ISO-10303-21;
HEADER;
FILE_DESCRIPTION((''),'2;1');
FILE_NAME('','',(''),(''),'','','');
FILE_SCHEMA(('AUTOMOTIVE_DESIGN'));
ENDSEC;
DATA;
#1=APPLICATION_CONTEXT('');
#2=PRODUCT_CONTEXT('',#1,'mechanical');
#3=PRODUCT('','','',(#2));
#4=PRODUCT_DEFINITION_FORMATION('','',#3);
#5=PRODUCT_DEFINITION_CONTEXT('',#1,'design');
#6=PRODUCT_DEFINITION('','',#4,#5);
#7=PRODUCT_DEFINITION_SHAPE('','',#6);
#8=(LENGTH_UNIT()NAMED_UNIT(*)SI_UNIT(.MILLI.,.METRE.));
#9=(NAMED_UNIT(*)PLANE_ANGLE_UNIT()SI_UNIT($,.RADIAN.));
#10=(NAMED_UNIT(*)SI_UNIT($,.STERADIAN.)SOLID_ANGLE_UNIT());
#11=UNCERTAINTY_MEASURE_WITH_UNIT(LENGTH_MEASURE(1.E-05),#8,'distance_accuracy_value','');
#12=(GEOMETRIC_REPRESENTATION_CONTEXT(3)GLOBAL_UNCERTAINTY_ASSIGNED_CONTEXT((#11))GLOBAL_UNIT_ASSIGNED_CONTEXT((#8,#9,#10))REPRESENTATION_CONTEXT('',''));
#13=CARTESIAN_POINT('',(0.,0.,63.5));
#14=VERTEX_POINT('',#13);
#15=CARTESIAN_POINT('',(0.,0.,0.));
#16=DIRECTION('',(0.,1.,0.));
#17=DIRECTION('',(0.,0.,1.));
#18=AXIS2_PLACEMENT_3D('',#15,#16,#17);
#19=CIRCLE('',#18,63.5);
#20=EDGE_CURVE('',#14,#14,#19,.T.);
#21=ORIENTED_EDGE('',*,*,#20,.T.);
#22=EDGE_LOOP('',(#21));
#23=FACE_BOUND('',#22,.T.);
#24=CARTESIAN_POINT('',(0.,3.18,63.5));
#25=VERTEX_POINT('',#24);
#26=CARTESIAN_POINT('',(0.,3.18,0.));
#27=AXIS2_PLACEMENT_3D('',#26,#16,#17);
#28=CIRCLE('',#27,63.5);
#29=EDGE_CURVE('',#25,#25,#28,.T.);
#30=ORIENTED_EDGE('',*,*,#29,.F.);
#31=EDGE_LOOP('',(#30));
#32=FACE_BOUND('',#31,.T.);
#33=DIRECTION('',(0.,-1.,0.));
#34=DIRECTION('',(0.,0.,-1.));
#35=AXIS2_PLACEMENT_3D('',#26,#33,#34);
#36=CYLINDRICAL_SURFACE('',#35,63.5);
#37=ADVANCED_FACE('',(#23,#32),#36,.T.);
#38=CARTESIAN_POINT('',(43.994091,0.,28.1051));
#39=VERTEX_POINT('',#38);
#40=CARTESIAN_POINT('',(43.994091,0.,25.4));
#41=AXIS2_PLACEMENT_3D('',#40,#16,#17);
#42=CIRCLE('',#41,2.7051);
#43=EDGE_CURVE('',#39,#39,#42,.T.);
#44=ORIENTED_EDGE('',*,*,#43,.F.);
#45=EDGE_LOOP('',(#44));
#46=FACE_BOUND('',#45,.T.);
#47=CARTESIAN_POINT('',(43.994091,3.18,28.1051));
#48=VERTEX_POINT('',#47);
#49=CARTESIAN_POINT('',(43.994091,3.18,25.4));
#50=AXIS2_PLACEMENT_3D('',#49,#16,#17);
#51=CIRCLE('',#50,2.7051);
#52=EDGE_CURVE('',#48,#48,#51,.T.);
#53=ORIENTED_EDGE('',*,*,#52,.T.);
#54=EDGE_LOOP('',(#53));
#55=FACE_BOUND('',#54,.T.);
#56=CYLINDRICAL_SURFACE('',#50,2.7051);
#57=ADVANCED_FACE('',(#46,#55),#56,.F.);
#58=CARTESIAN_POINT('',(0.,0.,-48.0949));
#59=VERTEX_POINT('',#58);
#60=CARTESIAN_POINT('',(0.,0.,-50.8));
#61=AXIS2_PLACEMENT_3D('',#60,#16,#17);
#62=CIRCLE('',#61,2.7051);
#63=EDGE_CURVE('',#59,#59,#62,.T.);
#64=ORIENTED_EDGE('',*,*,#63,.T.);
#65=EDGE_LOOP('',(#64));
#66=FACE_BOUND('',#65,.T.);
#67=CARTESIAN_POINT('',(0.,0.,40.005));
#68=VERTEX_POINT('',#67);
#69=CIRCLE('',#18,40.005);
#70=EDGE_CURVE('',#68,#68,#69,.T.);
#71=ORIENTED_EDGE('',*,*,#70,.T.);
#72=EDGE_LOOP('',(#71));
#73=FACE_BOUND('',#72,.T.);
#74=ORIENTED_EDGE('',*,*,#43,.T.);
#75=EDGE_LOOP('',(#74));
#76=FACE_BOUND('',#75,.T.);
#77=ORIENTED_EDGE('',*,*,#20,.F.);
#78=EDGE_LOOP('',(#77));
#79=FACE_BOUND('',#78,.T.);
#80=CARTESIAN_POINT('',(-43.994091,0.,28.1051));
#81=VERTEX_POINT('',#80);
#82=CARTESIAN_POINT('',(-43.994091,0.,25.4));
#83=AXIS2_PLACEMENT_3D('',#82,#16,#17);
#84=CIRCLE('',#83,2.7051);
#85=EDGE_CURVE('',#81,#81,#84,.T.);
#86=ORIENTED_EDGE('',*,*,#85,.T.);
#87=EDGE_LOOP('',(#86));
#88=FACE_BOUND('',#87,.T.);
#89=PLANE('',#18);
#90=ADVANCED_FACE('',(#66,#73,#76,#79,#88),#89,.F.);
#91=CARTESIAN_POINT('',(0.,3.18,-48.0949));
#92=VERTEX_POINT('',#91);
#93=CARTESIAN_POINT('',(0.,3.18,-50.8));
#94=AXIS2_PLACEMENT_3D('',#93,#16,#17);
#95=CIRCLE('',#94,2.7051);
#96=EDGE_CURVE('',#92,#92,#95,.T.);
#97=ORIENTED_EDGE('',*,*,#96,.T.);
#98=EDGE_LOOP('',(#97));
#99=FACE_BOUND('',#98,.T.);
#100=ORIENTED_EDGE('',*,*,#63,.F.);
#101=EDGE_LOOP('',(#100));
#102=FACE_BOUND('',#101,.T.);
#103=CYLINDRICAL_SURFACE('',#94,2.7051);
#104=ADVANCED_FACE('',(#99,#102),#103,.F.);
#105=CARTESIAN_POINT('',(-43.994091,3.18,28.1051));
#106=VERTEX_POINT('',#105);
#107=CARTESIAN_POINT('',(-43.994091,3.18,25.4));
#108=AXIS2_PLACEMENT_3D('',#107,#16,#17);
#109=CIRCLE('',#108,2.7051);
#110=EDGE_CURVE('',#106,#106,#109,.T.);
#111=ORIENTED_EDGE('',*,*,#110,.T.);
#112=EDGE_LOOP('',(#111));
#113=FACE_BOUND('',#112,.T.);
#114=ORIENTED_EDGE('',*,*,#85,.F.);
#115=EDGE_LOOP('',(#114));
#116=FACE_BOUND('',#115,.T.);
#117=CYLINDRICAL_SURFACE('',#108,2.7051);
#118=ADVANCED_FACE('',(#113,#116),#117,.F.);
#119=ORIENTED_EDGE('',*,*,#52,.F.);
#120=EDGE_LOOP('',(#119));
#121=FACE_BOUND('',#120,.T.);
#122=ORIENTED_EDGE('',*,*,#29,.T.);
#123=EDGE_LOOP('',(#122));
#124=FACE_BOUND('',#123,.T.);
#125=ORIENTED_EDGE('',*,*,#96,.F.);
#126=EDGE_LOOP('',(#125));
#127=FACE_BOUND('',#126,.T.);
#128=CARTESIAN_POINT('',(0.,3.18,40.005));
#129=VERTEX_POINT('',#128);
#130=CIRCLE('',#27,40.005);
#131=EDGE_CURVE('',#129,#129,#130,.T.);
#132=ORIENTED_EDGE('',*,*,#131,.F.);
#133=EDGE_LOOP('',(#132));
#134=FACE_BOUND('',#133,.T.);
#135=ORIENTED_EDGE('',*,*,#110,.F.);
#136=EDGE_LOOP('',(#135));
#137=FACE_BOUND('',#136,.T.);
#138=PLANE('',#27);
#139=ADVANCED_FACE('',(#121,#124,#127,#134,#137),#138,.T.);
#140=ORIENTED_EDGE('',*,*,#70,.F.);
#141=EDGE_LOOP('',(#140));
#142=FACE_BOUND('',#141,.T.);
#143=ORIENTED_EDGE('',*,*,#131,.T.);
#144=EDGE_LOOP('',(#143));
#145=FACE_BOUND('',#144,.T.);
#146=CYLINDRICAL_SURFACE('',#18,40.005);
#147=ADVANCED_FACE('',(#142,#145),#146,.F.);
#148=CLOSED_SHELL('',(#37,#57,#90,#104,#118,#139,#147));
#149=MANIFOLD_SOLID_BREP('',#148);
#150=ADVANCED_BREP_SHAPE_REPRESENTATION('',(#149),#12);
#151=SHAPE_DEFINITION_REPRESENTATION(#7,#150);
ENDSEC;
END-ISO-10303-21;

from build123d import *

# Parameters (mm, degrees)
SKETCH1_R           = 63.5
BOSS_EXTRUDE1_DEPTH = 3.18
SKETCH2_R           = 40.005
CUT_EXTRUDE1_DEPTH  = 3.18
CIRPATTERN1_COUNT   = 3


with BuildPart() as part:
    # Sketch1 → Boss-Extrude1 (new body)
    with BuildSketch(Plane(origin=(0, 0, 0), x_dir=(1, 0, 0), z_dir=(0, 1, 0))):
        Circle(SKETCH1_R)
    extrude(amount=BOSS_EXTRUDE1_DEPTH)

    # Sketch2 → Cut-Extrude1 (cut)
    with BuildSketch(Plane(origin=(0, 3.18, 0), x_dir=(1, 0, 0), z_dir=(0, 1, 0))):
        Circle(SKETCH2_R)
    extrude(amount=-CUT_EXTRUDE1_DEPTH, mode=Mode.SUBTRACT)

    # Sketch7 → Hole for #8 300® SC Nuts (SP)1 (revolve, cut)
    with BuildSketch(Plane(origin=(0, 3.18, -50.8), x_dir=(0, 0, 1), z_dir=(1, 0, 0))):
        Polygon((0, 0), (0, 21.375388061), (2.7051, 19.75), (2.7051, 0), align=None)
    hole_for_8_300_sc_nuts_sp_1 = revolve(axis=Axis((0, 9.53, -50.8), (0, -1, 0)), mode=Mode.SUBTRACT)

    # CirPattern1: Hole for #8 300® SC Nuts (SP)1 ×3 about axis
    cirpattern1_axis = Axis((0, 0, 0), (0, 1, 0))
    for i in range(1, CIRPATTERN1_COUNT):
        add(hole_for_8_300_sc_nuts_sp_1.rotate(cirpattern1_axis, i * 360 / CIRPATTERN1_COUNT), mode=Mode.SUBTRACT)


solid = part.part
